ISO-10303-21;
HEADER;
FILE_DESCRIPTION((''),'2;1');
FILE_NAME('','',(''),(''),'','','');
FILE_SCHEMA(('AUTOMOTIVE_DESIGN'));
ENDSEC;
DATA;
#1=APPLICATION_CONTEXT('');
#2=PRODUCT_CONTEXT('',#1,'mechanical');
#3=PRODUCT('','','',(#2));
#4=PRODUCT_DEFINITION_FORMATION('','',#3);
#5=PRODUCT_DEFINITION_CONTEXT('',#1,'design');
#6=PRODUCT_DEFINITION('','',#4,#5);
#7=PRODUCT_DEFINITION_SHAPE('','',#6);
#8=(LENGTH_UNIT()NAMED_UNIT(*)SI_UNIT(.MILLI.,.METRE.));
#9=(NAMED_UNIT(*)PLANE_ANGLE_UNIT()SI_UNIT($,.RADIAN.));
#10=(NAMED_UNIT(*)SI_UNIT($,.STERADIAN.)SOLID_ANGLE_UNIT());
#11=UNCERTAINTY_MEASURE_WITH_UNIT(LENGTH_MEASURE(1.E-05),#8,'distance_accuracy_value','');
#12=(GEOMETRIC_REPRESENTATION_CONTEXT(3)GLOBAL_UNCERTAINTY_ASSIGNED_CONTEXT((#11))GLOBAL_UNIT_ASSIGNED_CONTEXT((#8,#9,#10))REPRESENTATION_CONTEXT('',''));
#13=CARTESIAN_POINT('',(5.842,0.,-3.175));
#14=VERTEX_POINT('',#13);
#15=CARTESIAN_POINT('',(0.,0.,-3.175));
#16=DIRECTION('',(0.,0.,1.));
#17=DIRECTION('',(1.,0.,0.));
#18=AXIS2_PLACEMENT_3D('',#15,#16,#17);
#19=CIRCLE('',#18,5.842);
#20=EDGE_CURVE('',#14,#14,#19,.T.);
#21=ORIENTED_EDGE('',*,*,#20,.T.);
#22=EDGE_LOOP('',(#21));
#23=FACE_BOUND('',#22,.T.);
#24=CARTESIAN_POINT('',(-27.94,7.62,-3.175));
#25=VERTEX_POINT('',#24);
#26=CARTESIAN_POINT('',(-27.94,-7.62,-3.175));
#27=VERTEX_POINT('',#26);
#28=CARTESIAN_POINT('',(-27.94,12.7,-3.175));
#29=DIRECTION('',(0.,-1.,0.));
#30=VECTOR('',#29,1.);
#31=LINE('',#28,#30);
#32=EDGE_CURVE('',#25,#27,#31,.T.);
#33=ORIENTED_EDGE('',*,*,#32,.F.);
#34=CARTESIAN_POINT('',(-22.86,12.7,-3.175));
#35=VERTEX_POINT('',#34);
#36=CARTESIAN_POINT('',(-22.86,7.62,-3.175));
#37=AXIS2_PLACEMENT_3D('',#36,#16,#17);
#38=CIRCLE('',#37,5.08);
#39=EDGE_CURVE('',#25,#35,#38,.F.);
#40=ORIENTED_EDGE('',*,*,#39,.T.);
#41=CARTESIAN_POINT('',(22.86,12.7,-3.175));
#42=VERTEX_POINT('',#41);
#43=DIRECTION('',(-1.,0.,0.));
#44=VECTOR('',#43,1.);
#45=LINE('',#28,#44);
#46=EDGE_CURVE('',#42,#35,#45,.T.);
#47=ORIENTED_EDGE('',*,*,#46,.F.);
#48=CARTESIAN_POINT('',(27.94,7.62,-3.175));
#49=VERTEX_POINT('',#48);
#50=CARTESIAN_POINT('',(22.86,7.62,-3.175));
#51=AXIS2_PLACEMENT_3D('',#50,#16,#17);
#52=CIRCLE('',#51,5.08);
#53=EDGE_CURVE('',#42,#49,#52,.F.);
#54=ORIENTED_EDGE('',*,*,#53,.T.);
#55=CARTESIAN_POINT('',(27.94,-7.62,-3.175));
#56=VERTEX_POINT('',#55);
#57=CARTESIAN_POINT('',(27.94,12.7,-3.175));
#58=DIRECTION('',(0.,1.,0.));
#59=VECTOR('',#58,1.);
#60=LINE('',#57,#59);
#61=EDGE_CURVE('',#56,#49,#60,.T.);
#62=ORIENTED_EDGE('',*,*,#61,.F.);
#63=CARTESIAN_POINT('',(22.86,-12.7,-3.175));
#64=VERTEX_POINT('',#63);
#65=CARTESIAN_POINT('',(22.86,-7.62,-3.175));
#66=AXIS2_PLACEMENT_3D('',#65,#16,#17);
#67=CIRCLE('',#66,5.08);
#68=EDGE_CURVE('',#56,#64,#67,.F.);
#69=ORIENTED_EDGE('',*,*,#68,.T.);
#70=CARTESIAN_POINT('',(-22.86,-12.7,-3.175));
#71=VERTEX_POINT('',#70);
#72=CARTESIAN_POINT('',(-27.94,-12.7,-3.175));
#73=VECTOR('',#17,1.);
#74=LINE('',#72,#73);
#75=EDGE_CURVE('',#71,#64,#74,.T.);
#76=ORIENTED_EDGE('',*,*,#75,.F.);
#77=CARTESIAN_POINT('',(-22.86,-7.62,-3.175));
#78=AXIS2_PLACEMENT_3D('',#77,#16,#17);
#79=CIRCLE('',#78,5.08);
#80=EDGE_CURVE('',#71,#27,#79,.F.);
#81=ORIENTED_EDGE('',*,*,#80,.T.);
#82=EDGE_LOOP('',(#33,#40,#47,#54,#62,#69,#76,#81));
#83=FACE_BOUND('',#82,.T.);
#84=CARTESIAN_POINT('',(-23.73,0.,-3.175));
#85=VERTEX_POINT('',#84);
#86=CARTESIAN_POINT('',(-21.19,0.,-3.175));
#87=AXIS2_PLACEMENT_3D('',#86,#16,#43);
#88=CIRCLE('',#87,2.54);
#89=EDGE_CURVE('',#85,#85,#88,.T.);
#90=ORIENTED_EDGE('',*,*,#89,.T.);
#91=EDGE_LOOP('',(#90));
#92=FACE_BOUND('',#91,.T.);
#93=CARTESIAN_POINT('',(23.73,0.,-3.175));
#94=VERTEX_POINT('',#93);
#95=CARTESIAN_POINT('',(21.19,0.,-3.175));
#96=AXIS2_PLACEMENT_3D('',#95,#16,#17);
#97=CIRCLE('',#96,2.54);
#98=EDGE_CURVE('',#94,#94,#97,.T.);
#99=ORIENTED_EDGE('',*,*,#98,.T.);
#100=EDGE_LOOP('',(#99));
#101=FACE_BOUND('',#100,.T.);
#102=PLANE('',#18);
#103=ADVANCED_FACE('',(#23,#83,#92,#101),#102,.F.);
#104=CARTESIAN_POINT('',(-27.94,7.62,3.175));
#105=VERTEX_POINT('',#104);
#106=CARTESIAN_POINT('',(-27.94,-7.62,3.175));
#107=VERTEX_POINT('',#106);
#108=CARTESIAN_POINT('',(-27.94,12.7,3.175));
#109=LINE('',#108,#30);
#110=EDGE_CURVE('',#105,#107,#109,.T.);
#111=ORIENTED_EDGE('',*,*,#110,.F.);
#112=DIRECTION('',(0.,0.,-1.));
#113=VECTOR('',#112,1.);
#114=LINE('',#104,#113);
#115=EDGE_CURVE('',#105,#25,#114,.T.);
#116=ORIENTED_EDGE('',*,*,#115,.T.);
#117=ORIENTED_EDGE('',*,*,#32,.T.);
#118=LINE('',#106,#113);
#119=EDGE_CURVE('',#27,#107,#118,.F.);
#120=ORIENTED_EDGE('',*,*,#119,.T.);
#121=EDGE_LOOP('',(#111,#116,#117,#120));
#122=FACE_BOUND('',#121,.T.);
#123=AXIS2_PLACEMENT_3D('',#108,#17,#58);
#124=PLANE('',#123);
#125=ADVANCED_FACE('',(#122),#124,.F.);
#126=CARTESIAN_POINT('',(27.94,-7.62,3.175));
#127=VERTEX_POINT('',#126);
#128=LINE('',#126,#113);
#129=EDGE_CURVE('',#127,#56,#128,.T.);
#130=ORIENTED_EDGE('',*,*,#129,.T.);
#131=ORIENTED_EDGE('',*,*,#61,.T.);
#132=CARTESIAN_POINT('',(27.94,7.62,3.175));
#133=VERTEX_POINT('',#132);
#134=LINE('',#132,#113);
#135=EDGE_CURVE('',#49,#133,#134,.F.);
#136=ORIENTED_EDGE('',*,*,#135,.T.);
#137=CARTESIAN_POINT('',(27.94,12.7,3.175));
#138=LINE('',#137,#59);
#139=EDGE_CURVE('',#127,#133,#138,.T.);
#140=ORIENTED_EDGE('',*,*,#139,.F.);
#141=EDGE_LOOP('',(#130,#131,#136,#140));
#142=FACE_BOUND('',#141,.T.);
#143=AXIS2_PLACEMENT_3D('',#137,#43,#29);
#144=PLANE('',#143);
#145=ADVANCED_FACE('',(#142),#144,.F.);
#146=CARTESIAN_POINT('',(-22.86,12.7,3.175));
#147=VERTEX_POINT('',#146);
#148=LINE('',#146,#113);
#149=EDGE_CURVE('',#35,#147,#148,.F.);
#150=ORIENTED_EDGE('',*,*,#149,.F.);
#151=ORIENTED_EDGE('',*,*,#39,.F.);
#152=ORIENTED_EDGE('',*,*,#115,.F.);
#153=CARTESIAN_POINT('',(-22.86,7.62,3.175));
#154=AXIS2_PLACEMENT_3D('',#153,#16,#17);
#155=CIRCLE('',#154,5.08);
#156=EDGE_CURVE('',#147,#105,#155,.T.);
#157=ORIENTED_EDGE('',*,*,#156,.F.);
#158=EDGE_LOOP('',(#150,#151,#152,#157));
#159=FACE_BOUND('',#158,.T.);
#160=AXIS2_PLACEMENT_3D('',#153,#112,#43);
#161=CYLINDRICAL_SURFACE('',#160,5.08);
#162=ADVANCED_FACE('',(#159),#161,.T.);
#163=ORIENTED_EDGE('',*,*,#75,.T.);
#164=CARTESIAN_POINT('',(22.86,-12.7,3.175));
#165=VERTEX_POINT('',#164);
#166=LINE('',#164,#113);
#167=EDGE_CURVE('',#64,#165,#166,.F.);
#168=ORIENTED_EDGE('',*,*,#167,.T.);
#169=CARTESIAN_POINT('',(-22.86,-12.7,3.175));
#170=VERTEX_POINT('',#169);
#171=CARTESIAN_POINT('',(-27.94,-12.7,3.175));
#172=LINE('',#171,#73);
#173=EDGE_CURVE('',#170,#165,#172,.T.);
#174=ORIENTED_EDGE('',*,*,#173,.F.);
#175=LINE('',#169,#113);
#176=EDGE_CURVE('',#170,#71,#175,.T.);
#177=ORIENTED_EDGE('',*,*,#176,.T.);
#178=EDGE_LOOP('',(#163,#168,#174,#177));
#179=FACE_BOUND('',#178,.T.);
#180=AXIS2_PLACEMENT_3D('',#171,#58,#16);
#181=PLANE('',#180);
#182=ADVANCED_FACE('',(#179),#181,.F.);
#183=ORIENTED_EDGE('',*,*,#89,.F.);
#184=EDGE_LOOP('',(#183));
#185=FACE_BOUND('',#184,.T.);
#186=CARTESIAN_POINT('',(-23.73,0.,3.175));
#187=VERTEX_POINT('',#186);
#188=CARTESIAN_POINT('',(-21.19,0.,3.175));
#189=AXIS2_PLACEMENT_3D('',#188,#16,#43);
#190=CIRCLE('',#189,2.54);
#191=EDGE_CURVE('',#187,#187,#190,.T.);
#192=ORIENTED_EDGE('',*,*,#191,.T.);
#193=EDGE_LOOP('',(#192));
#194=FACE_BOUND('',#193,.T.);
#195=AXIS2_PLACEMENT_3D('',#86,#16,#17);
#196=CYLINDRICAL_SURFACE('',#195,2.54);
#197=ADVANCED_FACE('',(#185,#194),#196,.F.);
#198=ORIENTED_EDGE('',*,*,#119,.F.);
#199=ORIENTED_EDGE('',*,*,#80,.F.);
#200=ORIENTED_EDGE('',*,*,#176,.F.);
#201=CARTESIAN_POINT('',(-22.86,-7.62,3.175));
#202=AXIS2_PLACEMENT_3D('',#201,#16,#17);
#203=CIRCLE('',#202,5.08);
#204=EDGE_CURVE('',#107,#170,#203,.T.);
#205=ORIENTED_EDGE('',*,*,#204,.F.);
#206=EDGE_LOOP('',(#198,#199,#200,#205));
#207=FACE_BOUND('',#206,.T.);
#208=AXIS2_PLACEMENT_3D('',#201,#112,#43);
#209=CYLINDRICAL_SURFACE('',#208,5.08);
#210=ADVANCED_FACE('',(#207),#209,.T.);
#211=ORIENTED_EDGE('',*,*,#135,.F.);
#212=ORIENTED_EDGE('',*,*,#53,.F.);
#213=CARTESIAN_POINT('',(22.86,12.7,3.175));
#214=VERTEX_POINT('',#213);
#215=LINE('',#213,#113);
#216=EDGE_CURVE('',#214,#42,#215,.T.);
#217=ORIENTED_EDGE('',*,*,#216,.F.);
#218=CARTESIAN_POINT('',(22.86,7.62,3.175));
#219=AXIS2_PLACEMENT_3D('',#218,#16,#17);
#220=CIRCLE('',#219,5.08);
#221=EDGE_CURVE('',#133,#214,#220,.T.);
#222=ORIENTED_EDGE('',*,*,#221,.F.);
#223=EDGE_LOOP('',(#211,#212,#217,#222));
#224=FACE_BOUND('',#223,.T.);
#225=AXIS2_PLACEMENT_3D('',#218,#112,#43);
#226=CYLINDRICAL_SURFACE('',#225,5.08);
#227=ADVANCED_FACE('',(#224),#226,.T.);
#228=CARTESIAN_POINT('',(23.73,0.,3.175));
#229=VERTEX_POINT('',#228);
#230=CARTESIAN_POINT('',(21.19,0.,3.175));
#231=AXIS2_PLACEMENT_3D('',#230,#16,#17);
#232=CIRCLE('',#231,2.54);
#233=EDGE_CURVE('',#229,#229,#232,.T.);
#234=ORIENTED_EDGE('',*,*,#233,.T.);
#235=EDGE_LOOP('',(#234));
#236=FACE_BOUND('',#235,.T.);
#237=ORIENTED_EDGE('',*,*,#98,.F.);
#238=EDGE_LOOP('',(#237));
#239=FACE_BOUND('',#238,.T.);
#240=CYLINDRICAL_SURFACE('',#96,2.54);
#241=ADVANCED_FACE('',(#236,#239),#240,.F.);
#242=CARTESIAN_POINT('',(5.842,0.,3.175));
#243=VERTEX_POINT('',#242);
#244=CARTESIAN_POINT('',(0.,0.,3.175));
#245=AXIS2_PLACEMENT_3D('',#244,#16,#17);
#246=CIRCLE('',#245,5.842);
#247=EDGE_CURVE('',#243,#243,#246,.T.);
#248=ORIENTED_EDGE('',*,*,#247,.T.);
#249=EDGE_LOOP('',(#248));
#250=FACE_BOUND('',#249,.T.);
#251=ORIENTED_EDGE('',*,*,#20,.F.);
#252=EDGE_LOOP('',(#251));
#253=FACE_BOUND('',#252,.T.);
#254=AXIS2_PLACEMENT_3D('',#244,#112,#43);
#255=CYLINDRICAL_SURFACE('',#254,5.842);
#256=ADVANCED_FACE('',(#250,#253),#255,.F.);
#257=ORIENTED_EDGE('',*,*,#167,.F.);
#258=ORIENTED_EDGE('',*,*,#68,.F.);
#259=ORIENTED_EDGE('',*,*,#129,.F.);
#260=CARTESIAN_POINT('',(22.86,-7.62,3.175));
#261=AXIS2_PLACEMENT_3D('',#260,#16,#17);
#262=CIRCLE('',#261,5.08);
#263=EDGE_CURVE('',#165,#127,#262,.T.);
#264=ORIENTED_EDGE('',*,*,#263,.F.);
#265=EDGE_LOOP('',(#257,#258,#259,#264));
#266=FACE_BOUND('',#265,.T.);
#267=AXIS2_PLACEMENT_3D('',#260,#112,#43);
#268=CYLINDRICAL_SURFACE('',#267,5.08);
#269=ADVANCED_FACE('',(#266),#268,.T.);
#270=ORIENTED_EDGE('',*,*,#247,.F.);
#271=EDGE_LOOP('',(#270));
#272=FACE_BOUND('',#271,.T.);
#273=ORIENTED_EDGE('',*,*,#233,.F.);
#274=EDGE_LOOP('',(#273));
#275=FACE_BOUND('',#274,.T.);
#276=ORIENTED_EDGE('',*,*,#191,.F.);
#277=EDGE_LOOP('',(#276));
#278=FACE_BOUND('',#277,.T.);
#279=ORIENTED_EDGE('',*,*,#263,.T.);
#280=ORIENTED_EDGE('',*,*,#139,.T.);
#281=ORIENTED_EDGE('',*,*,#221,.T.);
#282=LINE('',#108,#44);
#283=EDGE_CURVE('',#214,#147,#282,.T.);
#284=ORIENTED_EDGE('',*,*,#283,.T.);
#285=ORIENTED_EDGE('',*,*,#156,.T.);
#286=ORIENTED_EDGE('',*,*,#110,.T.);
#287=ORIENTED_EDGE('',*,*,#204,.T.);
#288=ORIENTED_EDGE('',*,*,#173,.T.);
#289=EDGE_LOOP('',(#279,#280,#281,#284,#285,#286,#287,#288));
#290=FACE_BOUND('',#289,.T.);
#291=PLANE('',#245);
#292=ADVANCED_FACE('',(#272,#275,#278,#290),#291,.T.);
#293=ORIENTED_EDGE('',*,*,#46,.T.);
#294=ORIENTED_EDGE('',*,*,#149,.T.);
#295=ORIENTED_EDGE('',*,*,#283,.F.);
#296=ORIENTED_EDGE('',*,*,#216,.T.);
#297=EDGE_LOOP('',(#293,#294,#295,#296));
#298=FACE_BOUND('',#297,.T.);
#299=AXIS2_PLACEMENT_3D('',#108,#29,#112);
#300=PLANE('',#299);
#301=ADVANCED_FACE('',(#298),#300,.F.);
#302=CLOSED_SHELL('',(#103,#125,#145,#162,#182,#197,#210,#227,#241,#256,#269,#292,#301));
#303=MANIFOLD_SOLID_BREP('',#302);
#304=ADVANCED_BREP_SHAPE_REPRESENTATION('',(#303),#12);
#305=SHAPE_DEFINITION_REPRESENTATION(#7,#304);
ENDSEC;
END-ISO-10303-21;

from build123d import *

# Parameters (mm, degrees)
SKETCH1_W              = 55.88
SKETCH1_H              = 25.4
SKETCH1_R              = 5.842
BOSS_EXTRUDE1_DEPTH    = 3.175
SKETCH2_R              = 2.54
CUT_EXTRUDE_4_40_DEPTH = 32.340965205
FILLET1_R              = 5.08


with BuildPart() as part:
    # Sketch1 → Boss-Extrude1 (new, symmetric)
    with BuildSketch(Plane.XY):
        Rectangle(SKETCH1_W, SKETCH1_H)
        Circle(SKETCH1_R, mode=Mode.SUBTRACT)
    extrude(amount=BOSS_EXTRUDE1_DEPTH, both=True)

    # Sketch2 → Cut-Extrude 4-40 (cut, through all)
    with BuildSketch(Plane.XY.offset(3.175)):
        with Locations((21.19, 0)):
            Circle(SKETCH2_R)
        with Locations(Location((-21.19, 0, 0), (0, 0, 180))):
            Circle(SKETCH2_R)
    extrude(amount=-CUT_EXTRUDE_4_40_DEPTH, mode=Mode.SUBTRACT)

    # Fillet1
    fillet1_edges = [part.edges().sort_by_distance(p)[0] for p in [
        (27.94, -12.7, 0),
        (-27.94, -12.7, 0),
        (-27.94, 12.7, 0),
        (27.94, 12.7, 0),
    ]]
    fillet(fillet1_edges, radius=FILLET1_R)


solid = part.part
